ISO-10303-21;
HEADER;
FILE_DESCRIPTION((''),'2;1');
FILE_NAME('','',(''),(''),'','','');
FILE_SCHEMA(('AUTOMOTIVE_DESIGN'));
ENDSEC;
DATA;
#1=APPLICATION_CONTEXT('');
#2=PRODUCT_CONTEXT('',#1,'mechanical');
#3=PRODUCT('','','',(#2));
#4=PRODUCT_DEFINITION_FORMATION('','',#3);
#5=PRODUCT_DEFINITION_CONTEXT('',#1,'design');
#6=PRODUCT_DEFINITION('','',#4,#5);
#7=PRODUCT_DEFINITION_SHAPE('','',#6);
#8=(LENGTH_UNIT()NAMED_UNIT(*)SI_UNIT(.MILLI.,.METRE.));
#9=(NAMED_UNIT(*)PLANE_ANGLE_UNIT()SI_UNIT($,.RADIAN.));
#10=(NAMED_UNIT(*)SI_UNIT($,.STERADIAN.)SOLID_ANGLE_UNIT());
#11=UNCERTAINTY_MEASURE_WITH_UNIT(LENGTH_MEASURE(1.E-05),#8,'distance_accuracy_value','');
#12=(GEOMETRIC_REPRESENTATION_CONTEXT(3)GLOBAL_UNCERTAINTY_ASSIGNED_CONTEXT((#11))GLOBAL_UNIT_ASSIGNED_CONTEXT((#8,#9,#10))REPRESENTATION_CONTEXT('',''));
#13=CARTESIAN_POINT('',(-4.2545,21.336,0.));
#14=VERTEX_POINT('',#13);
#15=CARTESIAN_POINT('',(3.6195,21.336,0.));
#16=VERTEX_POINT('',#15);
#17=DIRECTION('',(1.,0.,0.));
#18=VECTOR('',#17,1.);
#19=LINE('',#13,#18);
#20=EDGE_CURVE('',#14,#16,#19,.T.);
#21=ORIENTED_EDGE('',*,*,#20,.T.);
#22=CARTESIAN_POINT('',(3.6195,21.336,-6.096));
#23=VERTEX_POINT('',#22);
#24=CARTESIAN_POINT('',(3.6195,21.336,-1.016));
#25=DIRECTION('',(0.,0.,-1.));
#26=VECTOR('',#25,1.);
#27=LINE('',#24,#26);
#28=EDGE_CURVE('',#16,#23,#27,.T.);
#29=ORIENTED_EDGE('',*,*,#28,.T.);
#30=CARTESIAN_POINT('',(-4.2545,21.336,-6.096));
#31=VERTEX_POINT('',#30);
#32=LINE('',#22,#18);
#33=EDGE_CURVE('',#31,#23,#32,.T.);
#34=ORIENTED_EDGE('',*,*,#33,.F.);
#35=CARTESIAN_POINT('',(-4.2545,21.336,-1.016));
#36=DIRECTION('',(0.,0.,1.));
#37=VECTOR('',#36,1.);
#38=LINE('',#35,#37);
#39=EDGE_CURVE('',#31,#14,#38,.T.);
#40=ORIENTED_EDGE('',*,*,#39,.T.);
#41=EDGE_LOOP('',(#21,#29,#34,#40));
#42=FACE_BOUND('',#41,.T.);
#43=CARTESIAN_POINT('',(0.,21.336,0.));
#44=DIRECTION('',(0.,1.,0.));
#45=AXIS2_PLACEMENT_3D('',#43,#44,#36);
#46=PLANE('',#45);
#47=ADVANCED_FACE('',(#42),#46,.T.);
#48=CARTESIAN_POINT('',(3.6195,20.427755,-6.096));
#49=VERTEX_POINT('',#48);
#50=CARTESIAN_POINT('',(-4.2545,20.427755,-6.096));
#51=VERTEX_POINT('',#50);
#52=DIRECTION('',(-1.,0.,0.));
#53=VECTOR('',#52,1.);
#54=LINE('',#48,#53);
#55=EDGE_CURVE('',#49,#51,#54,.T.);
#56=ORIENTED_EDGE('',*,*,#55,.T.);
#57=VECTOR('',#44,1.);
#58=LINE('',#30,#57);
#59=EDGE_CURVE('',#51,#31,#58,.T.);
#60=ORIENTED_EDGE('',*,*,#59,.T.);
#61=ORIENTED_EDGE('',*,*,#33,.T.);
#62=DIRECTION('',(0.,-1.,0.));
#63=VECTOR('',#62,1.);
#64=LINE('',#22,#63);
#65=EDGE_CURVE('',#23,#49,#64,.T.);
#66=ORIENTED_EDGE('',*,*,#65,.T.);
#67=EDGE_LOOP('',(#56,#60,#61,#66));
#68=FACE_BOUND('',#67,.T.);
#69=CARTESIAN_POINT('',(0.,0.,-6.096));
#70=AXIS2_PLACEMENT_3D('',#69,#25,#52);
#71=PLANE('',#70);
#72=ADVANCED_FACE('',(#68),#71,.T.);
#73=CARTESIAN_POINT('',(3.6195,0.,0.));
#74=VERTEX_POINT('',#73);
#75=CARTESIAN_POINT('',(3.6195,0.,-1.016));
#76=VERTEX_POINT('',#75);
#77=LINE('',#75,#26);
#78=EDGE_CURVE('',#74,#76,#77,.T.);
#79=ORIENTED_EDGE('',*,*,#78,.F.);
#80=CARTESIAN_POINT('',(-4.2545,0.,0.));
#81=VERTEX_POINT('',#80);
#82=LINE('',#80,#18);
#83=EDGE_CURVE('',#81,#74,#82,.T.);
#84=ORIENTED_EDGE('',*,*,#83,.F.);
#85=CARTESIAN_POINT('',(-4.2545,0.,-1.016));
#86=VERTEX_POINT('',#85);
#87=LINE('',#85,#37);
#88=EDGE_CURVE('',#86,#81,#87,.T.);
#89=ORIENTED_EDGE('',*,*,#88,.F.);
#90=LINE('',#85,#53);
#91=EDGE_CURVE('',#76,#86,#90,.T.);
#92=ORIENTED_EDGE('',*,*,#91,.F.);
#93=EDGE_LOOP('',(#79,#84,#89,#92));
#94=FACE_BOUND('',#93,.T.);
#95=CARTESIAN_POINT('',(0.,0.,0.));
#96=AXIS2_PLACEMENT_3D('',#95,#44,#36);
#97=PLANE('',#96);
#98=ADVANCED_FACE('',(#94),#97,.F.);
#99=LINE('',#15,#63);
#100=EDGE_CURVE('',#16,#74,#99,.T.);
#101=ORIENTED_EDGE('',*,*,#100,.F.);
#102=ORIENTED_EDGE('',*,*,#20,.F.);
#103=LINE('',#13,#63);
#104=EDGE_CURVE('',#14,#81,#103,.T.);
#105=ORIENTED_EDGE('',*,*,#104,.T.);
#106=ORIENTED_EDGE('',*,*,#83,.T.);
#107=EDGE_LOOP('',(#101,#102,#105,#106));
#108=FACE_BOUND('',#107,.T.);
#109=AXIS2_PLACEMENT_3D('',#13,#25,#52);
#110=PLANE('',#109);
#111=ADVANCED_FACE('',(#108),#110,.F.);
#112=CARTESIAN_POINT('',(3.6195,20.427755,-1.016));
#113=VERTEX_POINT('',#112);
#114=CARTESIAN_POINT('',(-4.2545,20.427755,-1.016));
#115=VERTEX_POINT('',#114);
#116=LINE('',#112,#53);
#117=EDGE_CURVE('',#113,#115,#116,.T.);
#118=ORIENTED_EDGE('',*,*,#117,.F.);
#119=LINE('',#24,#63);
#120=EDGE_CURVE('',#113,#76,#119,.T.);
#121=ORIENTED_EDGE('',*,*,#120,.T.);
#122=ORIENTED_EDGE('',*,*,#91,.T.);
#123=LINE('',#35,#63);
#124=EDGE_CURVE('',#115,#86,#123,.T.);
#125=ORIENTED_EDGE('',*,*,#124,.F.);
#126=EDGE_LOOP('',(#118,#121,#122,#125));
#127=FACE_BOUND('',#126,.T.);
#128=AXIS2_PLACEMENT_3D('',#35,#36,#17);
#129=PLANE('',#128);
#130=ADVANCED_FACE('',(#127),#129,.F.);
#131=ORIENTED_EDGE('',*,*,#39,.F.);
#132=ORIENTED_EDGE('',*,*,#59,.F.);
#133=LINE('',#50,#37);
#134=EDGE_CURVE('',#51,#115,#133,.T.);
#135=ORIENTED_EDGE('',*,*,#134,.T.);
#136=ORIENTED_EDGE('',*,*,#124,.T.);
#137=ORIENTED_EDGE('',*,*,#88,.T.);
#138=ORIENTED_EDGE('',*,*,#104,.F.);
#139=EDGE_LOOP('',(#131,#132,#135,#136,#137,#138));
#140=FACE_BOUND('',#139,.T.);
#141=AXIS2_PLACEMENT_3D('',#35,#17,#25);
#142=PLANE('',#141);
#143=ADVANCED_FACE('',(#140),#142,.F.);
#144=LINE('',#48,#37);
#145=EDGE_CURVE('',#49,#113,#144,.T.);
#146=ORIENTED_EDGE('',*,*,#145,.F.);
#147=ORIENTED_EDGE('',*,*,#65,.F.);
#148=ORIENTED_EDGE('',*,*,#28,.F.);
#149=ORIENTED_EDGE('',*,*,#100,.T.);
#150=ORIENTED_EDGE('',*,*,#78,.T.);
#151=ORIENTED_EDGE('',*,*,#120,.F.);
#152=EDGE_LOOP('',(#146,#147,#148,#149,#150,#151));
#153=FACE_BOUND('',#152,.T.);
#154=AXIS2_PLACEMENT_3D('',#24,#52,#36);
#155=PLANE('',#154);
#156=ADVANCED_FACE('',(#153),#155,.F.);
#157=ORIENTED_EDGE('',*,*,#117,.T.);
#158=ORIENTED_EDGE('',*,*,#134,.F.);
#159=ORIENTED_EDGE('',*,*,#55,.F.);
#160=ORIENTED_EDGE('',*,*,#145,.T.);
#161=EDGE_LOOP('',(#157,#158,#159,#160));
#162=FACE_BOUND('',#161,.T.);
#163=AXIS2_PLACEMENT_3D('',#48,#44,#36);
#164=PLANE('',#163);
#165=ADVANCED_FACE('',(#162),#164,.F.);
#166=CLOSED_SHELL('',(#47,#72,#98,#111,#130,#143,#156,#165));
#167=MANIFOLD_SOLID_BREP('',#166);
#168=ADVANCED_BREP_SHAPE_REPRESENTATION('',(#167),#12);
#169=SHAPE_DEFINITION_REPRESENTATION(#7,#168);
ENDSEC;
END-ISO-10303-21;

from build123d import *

# Parameters (mm, degrees)
SKETCH1_W           = 7.874
SKETCH1_H           = 1.016
BOSS_EXTRUDE1_DEPTH = 21.336
SKETCH2_W           = 7.874
SKETCH2_H           = 0.908244578
BOSS_EXTRUDE2_DEPTH = 5.08


with BuildPart() as part:
    # Sketch1 → Boss-Extrude1 (new body)
    with BuildSketch(Plane(origin=(0, 0, 0), x_dir=(1, 0, 0), z_dir=(0, 1, 0))):
        with Locations((-0.3175, 0.508)):
            Rectangle(SKETCH1_W, SKETCH1_H)
    extrude(amount=BOSS_EXTRUDE1_DEPTH)

    # Sketch2 → Boss-Extrude2 (add)
    with BuildSketch(Plane(origin=(0, 0, -1.016), x_dir=(-1, 0, 0), z_dir=(0, 0, -1))):
        with Locations((0.3175, 20.881877711)):
            Rectangle(SKETCH2_W, SKETCH2_H)
    extrude(amount=BOSS_EXTRUDE2_DEPTH)


solid = part.part
